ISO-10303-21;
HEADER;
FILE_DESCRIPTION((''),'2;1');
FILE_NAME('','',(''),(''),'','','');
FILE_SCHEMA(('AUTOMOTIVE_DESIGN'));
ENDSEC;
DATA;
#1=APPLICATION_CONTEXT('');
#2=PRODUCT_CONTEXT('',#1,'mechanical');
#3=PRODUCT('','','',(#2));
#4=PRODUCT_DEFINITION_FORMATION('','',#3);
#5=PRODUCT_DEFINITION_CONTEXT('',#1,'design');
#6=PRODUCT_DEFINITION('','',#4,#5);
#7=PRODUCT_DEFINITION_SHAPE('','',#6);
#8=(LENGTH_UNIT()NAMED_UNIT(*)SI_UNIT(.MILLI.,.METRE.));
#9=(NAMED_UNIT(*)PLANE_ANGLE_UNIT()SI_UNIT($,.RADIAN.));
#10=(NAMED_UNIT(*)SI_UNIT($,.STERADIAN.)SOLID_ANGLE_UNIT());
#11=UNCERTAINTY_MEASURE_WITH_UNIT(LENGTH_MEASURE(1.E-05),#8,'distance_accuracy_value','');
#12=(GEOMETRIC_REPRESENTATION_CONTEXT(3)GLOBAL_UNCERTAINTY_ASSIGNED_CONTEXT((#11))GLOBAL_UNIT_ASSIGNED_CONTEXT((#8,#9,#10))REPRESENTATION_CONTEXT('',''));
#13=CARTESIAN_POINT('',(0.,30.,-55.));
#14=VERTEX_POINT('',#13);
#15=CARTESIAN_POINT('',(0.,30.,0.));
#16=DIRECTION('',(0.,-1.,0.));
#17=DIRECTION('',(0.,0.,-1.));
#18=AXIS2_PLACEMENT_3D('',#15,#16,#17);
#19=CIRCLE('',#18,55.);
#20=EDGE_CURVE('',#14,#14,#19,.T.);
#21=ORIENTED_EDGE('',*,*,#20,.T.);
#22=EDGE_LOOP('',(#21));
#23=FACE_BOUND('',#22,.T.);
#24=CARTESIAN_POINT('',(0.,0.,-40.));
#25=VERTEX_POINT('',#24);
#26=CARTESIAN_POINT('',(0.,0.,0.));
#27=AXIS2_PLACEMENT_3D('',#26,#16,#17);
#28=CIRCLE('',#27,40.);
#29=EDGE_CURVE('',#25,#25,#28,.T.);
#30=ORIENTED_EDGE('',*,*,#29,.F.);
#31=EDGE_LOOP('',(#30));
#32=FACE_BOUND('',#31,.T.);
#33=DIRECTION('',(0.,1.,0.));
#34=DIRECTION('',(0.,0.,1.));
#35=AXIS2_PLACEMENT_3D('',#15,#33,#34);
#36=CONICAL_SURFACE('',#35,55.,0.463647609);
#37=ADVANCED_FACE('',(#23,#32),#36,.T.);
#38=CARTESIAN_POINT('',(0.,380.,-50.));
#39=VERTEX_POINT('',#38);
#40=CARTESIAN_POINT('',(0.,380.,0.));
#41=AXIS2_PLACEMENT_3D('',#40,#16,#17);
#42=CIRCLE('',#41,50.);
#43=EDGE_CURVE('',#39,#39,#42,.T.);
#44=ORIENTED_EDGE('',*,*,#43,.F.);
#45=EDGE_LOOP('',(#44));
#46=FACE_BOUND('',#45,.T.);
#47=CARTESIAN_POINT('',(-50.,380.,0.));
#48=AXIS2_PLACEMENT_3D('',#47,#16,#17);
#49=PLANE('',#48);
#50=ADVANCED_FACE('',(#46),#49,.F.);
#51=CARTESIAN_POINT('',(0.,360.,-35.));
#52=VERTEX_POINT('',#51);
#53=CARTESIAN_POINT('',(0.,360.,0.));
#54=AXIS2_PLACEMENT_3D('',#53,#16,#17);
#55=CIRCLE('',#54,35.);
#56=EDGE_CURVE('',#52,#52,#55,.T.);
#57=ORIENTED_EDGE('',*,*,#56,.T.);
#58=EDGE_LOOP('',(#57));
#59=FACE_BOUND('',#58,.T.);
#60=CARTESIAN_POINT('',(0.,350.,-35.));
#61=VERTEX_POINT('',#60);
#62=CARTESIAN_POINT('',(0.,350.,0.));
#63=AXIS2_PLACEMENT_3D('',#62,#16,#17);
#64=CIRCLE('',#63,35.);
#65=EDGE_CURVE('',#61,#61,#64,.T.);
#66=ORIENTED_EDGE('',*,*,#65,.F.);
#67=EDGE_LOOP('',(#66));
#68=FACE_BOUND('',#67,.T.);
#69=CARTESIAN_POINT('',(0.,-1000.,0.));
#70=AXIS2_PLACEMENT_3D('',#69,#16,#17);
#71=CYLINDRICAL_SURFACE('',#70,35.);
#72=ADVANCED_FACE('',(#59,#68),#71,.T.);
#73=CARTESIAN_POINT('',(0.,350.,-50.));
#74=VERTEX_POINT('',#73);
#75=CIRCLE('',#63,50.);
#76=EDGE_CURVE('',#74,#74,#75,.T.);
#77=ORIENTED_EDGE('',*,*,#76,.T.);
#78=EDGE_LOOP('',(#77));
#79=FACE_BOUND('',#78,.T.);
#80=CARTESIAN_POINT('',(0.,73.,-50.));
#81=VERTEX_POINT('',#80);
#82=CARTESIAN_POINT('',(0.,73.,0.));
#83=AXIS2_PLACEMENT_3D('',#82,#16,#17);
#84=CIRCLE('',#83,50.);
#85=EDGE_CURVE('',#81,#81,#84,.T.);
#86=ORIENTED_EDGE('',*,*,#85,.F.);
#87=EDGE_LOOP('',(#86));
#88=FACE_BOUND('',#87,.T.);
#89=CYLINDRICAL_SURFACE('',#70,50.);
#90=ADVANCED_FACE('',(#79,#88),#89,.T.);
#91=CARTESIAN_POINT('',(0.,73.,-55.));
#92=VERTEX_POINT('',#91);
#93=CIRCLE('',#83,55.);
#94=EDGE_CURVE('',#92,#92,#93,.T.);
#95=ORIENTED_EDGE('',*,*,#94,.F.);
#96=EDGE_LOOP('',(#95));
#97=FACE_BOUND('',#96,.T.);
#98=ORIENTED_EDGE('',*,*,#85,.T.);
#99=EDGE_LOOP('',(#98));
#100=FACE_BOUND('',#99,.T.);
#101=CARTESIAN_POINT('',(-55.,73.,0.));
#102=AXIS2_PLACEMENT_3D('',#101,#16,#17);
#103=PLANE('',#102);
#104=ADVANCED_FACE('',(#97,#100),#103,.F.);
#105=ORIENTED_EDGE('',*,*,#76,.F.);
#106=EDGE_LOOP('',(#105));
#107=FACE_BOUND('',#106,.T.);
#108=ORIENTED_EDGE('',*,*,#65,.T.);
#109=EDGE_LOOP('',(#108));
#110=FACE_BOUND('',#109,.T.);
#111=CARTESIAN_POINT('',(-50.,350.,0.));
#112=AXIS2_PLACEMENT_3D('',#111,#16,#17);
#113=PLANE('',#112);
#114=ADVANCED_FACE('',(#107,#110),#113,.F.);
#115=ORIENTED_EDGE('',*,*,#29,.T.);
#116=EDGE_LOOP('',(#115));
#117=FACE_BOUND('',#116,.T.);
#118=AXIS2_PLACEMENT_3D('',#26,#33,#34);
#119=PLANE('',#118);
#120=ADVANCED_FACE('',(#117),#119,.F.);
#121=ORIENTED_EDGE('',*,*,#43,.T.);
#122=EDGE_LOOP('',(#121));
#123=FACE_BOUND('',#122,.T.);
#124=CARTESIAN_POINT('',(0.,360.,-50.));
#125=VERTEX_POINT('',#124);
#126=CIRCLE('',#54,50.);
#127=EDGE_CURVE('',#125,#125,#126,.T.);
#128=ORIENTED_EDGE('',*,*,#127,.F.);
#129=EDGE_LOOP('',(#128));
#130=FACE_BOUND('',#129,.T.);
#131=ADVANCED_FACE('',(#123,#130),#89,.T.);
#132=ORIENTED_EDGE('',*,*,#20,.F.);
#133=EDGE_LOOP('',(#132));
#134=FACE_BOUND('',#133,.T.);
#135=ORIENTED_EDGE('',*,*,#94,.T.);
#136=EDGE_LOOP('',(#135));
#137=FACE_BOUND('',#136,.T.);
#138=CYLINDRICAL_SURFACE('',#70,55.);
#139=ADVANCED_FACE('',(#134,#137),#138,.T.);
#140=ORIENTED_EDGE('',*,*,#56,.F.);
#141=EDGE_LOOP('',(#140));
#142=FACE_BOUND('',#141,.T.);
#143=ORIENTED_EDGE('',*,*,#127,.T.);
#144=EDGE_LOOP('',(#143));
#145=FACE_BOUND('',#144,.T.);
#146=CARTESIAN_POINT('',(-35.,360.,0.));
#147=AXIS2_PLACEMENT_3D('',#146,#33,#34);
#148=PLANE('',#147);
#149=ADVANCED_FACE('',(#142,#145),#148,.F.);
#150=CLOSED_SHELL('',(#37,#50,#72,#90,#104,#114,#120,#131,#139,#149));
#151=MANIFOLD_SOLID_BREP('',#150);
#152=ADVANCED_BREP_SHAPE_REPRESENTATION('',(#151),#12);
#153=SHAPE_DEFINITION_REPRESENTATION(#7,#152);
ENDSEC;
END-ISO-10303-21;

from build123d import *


with BuildPart() as part:
    # 草图1 → 旋转1 (revolve)
    with BuildSketch(Plane.XY, mode=Mode.PRIVATE) as revolve_1_sk:
        Polygon((0, 0), (-40, 0), (-55, 30), (-55, 73), (-50, 73), (-50, 350), (-35, 350), (-35, 360), (-50, 360), (-50, 380), (0, 380), align=None)
    revolve(revolve_1_sk.sketch.rotate(Axis((0, -1000, 0), (0, 1, 0)), 270), axis=Axis((0, -1000, 0), (0, 1, 0)))


solid = part.part
